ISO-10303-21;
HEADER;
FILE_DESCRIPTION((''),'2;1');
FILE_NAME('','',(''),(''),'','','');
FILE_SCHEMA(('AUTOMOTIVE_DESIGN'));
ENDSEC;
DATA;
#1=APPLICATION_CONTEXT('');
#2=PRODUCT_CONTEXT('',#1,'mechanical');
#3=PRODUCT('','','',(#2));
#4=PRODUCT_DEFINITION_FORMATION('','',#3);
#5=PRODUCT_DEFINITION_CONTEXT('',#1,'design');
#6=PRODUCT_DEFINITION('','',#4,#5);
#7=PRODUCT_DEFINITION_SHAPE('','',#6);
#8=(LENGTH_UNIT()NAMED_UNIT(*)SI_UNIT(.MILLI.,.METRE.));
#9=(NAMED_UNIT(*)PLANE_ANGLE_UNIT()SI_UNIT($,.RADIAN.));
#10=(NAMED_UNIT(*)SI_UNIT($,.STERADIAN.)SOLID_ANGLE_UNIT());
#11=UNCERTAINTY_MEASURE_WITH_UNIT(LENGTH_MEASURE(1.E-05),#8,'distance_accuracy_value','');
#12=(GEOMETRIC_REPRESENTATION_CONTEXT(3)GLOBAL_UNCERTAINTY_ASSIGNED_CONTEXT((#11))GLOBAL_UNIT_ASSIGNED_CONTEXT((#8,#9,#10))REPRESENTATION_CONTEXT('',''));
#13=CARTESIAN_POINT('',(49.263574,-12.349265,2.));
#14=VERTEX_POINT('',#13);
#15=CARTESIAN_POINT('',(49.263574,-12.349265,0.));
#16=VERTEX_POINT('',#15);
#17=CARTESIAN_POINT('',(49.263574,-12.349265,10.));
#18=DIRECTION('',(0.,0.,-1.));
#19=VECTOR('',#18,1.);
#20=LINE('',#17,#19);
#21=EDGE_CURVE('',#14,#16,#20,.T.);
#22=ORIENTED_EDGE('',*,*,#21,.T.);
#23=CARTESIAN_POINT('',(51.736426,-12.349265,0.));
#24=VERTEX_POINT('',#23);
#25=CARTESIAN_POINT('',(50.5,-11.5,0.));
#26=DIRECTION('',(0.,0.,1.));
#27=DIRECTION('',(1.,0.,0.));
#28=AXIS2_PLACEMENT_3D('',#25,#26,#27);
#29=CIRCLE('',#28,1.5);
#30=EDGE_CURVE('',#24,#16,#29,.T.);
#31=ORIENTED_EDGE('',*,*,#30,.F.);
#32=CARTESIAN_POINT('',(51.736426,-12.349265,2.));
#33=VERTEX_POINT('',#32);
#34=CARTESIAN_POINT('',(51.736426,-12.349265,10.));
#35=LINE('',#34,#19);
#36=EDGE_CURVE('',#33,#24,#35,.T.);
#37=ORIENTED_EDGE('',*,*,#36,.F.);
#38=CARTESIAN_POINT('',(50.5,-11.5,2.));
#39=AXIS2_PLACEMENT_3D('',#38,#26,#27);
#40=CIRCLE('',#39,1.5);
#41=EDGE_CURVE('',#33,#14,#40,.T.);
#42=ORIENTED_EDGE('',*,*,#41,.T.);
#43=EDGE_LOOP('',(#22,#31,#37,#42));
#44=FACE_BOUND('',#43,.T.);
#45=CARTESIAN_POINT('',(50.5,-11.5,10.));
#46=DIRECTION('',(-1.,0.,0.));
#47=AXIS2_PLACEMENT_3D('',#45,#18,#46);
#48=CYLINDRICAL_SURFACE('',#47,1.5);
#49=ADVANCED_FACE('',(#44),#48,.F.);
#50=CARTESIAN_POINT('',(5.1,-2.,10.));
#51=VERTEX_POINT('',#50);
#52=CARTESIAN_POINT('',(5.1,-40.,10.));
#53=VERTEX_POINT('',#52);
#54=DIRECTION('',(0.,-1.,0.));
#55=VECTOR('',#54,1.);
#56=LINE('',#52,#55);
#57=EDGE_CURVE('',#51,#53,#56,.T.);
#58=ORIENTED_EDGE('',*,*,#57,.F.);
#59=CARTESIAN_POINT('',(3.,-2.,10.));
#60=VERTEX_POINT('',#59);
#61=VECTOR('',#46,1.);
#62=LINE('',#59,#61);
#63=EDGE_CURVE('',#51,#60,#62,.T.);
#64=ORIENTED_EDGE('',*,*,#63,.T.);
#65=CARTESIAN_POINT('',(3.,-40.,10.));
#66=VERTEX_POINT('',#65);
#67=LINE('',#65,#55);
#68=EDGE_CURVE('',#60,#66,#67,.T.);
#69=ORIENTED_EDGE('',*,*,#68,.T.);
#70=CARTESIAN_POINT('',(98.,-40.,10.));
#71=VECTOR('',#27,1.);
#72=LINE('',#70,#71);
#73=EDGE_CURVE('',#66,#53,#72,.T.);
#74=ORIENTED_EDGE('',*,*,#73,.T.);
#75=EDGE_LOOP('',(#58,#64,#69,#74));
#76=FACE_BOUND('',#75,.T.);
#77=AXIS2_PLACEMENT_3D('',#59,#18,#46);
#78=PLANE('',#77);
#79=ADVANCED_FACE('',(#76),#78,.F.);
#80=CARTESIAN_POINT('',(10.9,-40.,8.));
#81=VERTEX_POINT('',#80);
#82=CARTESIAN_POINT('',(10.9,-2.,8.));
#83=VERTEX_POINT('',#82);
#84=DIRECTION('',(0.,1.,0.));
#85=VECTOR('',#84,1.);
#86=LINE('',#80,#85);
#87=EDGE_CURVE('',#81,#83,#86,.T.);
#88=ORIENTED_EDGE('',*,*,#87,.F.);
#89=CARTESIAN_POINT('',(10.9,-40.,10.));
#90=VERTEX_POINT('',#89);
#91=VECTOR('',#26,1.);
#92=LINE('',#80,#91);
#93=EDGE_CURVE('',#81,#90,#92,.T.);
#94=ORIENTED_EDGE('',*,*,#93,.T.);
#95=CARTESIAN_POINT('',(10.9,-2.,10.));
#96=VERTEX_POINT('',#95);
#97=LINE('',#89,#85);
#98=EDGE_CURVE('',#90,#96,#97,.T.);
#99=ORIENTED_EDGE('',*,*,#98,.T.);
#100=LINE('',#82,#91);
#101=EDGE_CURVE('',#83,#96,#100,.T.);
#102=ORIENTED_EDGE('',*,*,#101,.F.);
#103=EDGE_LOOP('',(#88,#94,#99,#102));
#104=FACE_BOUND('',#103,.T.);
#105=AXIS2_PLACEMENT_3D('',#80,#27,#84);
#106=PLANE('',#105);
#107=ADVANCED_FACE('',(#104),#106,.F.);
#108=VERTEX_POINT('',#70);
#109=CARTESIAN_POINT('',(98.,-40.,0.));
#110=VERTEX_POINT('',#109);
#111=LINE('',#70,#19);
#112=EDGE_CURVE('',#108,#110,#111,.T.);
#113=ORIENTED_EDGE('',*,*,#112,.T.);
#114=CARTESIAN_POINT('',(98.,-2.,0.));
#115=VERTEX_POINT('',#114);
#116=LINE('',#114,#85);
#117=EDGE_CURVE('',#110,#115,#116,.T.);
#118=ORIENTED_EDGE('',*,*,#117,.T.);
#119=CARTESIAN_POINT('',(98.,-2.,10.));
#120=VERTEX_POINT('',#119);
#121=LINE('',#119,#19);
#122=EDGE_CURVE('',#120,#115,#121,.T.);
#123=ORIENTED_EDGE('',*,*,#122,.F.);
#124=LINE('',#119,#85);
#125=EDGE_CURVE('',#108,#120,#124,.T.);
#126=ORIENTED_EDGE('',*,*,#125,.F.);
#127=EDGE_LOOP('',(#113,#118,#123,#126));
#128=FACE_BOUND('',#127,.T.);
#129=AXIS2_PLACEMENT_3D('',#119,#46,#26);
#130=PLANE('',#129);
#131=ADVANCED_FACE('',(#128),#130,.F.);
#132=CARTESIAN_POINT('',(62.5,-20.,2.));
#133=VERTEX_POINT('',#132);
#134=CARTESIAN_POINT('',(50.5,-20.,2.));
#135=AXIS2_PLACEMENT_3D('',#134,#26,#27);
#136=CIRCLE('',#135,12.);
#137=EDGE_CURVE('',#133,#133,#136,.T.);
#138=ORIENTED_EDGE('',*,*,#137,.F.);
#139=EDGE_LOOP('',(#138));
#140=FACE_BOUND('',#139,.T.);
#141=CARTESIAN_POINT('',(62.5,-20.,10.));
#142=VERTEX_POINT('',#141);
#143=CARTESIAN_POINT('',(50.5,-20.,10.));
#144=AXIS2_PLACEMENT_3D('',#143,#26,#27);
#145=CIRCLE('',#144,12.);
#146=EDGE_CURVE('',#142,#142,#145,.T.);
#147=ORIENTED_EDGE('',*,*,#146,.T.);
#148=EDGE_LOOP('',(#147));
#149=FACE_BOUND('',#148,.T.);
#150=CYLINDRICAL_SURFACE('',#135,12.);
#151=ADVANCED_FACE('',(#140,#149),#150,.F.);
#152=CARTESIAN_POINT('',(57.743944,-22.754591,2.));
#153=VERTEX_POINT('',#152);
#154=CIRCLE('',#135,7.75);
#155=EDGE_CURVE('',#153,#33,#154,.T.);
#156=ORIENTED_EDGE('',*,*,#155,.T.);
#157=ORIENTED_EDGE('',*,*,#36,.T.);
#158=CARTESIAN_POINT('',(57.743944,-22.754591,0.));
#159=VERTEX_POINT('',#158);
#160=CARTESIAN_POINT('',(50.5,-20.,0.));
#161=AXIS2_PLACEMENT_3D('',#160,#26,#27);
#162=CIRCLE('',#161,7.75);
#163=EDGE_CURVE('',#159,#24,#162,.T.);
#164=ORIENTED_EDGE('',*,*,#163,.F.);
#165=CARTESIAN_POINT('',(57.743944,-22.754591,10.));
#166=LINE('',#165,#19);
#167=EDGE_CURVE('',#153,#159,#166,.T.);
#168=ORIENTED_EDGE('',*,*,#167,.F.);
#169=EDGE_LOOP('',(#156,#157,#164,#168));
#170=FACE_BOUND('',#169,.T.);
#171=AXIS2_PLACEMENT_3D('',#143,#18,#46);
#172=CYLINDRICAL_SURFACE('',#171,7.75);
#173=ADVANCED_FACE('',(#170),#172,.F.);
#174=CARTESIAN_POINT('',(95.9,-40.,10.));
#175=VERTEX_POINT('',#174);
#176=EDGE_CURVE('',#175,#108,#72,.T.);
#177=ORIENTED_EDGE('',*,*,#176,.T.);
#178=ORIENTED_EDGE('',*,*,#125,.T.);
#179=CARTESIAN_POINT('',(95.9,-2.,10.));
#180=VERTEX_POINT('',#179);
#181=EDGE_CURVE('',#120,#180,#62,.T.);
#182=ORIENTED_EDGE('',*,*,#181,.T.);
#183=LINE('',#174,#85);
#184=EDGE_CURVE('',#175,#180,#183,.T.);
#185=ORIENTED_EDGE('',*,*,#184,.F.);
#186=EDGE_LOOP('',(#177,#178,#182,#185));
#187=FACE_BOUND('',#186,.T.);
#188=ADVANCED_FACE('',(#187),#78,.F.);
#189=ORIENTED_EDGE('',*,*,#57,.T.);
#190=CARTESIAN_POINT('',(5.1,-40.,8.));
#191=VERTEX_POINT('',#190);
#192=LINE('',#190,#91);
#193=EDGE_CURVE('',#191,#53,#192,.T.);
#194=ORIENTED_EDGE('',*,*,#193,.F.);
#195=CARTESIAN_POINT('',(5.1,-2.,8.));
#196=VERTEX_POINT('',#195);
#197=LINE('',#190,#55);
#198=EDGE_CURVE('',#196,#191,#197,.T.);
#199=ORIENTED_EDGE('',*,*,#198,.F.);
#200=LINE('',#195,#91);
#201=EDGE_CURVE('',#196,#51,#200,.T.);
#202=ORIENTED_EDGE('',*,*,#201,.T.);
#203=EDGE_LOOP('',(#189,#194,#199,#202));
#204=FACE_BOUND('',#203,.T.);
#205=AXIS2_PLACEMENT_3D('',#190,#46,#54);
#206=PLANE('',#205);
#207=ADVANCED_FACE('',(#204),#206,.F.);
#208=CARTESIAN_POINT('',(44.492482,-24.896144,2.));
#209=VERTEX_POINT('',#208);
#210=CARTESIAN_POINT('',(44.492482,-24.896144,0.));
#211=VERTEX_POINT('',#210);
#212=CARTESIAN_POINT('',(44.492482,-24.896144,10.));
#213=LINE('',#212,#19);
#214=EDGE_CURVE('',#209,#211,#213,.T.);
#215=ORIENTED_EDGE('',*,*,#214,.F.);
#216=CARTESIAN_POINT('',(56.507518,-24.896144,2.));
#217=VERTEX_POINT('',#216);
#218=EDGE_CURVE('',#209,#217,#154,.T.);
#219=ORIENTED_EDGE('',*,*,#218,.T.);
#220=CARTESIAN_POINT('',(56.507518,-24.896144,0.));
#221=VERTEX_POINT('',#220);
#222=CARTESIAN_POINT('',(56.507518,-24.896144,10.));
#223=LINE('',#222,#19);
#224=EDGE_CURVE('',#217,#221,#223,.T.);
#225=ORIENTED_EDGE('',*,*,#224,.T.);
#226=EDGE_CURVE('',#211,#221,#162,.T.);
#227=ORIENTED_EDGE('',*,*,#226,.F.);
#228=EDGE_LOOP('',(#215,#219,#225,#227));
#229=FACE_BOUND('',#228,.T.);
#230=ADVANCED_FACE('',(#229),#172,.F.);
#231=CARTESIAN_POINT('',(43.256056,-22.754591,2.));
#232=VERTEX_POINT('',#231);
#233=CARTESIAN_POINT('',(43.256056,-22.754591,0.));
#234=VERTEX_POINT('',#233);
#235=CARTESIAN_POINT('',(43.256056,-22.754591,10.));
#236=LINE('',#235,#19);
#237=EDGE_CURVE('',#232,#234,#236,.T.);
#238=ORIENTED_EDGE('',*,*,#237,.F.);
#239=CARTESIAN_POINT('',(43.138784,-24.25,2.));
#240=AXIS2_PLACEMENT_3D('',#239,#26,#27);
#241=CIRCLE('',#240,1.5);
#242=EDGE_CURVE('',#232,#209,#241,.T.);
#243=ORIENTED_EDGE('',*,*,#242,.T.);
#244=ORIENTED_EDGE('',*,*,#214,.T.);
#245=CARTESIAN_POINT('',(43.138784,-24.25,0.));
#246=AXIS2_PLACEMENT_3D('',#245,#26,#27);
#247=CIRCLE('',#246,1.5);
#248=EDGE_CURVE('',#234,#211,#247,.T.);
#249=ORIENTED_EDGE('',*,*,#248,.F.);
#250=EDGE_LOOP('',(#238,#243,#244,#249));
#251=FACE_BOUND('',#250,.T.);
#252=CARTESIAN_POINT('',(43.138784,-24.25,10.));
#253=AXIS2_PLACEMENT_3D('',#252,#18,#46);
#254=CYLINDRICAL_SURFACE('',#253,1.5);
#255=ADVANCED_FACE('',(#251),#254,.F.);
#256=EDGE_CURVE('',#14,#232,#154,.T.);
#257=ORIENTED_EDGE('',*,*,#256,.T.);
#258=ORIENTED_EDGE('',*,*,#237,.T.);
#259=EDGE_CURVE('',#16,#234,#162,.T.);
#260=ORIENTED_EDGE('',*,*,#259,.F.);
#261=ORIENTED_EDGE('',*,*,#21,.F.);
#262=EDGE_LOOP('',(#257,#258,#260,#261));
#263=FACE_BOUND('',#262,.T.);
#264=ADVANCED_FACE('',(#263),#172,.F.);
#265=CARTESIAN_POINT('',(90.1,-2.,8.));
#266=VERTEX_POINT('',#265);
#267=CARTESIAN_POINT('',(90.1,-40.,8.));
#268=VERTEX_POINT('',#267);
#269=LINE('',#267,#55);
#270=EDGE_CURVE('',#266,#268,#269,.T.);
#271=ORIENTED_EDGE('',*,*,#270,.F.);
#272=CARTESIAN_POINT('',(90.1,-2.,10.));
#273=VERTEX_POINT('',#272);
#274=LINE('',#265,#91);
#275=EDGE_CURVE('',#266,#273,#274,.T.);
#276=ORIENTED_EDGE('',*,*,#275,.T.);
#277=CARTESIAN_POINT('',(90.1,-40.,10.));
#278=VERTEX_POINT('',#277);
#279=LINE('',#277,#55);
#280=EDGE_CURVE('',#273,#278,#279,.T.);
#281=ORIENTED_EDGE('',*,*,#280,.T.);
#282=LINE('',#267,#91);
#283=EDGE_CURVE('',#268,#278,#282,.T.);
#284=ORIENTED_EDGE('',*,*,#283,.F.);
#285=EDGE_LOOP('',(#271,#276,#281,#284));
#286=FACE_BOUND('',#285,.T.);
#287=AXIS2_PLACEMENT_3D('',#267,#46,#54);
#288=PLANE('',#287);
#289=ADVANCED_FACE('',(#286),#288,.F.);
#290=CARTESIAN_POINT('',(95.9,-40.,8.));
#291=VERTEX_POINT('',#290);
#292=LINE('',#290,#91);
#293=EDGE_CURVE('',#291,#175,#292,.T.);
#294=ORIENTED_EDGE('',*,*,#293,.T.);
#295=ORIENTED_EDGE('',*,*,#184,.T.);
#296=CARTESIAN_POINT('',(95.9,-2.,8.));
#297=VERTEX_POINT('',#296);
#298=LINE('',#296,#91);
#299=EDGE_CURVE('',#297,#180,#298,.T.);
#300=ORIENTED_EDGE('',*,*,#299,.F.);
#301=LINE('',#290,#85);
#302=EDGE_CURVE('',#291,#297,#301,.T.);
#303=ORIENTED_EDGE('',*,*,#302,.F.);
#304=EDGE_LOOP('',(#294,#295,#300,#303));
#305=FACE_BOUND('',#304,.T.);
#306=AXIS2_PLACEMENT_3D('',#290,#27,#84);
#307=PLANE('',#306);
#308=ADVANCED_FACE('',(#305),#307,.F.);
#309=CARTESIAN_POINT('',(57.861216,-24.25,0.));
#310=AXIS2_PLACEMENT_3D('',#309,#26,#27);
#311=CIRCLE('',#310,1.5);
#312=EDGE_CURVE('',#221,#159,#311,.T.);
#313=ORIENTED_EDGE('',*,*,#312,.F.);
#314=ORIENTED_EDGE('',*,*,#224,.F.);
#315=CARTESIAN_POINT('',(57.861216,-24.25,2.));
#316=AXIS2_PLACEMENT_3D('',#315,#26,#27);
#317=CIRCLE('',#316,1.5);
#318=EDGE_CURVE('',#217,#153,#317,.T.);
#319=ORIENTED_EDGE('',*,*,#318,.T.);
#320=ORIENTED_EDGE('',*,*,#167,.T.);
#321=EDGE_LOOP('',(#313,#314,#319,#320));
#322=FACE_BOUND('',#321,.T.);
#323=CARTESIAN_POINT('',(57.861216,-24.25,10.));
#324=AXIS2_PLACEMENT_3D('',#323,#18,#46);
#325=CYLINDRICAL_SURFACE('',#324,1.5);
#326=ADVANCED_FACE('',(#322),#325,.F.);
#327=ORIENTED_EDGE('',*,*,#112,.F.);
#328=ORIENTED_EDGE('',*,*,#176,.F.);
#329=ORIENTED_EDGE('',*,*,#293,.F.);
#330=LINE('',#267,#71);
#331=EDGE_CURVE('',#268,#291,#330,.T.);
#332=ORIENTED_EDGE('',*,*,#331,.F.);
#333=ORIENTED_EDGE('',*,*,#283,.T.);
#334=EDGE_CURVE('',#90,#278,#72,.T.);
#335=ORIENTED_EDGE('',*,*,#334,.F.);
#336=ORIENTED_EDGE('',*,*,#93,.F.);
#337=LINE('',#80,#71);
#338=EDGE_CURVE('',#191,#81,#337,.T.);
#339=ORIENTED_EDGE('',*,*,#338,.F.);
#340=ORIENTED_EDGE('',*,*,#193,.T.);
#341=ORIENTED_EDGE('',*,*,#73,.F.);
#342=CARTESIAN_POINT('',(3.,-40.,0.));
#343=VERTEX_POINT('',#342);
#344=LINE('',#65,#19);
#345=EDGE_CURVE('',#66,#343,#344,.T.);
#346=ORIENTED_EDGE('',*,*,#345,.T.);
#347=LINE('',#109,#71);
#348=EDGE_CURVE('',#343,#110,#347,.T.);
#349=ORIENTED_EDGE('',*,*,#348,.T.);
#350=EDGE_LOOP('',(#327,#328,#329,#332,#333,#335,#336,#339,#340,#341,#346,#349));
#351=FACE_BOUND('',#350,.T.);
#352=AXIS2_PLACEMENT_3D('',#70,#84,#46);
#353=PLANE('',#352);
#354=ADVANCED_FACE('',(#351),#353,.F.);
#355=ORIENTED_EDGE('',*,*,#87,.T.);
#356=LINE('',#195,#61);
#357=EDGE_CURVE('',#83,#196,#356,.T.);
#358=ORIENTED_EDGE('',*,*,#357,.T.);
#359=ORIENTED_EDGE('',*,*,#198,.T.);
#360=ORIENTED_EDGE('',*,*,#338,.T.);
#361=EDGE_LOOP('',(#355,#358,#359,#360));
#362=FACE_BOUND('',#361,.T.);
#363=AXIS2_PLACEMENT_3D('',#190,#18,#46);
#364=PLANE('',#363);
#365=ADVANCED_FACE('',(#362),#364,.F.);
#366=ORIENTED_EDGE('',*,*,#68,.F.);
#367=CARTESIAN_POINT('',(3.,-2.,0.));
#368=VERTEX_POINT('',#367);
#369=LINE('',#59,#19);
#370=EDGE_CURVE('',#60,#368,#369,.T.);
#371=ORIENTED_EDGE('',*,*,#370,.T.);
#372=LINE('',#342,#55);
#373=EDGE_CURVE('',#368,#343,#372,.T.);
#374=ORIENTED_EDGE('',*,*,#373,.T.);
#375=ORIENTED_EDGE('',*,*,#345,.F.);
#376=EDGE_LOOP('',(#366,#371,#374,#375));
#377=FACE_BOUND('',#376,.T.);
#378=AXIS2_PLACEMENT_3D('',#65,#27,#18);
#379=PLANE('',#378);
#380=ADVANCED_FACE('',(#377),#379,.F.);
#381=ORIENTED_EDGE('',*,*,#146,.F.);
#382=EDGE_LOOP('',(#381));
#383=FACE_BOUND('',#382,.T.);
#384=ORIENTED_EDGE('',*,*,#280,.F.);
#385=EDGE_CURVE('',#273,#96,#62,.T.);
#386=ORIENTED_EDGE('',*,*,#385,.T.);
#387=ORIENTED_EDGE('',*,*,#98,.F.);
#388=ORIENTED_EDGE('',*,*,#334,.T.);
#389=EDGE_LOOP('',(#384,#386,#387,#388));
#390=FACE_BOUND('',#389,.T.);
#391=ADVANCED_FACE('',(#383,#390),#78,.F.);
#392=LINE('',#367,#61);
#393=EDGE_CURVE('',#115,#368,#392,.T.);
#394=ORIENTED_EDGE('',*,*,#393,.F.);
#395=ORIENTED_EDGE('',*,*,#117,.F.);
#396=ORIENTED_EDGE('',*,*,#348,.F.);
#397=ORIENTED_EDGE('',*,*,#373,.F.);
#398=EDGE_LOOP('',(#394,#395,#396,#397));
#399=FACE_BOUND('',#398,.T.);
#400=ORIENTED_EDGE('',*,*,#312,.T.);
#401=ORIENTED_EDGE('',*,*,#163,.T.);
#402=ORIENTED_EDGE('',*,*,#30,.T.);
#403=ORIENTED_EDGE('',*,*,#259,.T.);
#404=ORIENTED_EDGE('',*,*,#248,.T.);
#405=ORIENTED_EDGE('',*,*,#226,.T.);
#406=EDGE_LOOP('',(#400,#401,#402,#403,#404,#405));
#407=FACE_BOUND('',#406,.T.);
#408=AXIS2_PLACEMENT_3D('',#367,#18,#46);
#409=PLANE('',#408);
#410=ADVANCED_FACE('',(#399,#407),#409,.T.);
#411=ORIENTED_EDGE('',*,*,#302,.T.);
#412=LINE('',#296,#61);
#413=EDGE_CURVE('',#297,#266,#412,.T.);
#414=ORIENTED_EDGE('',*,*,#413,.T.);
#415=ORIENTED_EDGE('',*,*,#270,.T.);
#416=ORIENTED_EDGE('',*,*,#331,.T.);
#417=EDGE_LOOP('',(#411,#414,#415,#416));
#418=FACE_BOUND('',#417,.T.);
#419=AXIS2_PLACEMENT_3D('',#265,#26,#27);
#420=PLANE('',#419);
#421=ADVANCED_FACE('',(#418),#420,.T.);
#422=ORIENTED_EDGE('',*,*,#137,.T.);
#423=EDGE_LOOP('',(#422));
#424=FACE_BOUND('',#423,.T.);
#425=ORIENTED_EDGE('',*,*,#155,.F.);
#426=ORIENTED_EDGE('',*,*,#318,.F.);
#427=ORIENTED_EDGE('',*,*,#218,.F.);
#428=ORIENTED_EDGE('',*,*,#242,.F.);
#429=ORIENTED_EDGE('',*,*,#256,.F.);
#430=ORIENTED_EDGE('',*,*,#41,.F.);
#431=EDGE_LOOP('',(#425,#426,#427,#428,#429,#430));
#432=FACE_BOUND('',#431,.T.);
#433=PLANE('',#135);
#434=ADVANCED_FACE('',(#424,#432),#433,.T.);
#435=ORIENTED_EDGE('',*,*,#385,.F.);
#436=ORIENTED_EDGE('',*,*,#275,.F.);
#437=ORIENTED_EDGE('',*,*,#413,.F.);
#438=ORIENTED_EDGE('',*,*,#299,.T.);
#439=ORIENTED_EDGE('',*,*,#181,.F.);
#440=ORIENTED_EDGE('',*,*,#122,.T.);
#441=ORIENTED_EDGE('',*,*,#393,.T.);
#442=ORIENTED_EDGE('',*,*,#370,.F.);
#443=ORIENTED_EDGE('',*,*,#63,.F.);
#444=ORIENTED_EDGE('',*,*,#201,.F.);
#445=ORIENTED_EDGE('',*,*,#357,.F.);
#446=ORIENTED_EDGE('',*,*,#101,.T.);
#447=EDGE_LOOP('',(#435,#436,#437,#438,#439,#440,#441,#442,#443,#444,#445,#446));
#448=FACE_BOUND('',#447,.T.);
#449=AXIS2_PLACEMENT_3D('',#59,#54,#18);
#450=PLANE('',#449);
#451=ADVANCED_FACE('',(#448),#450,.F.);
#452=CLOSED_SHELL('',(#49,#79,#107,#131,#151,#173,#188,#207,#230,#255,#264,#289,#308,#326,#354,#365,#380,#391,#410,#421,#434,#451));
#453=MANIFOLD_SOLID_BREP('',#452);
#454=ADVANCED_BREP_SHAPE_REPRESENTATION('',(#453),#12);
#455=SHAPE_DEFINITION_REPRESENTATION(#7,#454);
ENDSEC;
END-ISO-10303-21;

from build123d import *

# Parameters (mm, degrees)
ESQUISSE1_W      = 95
ESQUISSE1_H      = 38
EXTRUSION1_DEPTH = 10
ESQUISSE3_R      = 12
EXTRUSION3_DEPTH = 8
ESQUISSE4_W      = 5.8
ESQUISSE4_H      = 38
EXTRUSION4_DEPTH = 2


with BuildPart() as part:
    # Esquisse1 → Extrusion1 (new body)
    with BuildSketch(Plane.XY):
        with Locations((50.5, -21)):
            Rectangle(ESQUISSE1_W, ESQUISSE1_H)
        with BuildLine():
            ThreePointArc((49.263573917, -12.349264706), (43.788303121, -16.125), (43.256055836, -22.754591249))
            ThreePointArc((43.256055836, -22.754591249), (41.839745962, -25), (44.492481919, -24.896144045))
            ThreePointArc((44.492481919, -24.896144045), (50.5, -27.75), (56.507518081, -24.896144045))
            ThreePointArc((56.507518081, -24.896144045), (59.160254038, -25), (57.743944164, -22.754591249))
            ThreePointArc((57.743944164, -22.754591249), (57.211696879, -16.125), (51.736426083, -12.349264706))
            ThreePointArc((51.736426083, -12.349264706), (50.5, -10), (49.263573917, -12.349264706))
        make_face(mode=Mode.SUBTRACT)
    extrude(amount=EXTRUSION1_DEPTH)

    # Esquisse3 → Extrusion3 (cut)
    with BuildSketch(Plane.XY.offset(10)):
        with Locations((50.5, -20)):
            Circle(ESQUISSE3_R)
    extrude(amount=-EXTRUSION3_DEPTH, mode=Mode.SUBTRACT)

    # Esquisse4 → Extrusion4 (cut)
    with BuildSketch(Plane.XY.offset(10)):
        with Locations((8, -21)):
            Rectangle(ESQUISSE4_W, ESQUISSE4_H)
        with Locations((93, -21)):
            Rectangle(ESQUISSE4_W, ESQUISSE4_H)
    extrude(amount=-EXTRUSION4_DEPTH, mode=Mode.SUBTRACT)


solid = part.part
